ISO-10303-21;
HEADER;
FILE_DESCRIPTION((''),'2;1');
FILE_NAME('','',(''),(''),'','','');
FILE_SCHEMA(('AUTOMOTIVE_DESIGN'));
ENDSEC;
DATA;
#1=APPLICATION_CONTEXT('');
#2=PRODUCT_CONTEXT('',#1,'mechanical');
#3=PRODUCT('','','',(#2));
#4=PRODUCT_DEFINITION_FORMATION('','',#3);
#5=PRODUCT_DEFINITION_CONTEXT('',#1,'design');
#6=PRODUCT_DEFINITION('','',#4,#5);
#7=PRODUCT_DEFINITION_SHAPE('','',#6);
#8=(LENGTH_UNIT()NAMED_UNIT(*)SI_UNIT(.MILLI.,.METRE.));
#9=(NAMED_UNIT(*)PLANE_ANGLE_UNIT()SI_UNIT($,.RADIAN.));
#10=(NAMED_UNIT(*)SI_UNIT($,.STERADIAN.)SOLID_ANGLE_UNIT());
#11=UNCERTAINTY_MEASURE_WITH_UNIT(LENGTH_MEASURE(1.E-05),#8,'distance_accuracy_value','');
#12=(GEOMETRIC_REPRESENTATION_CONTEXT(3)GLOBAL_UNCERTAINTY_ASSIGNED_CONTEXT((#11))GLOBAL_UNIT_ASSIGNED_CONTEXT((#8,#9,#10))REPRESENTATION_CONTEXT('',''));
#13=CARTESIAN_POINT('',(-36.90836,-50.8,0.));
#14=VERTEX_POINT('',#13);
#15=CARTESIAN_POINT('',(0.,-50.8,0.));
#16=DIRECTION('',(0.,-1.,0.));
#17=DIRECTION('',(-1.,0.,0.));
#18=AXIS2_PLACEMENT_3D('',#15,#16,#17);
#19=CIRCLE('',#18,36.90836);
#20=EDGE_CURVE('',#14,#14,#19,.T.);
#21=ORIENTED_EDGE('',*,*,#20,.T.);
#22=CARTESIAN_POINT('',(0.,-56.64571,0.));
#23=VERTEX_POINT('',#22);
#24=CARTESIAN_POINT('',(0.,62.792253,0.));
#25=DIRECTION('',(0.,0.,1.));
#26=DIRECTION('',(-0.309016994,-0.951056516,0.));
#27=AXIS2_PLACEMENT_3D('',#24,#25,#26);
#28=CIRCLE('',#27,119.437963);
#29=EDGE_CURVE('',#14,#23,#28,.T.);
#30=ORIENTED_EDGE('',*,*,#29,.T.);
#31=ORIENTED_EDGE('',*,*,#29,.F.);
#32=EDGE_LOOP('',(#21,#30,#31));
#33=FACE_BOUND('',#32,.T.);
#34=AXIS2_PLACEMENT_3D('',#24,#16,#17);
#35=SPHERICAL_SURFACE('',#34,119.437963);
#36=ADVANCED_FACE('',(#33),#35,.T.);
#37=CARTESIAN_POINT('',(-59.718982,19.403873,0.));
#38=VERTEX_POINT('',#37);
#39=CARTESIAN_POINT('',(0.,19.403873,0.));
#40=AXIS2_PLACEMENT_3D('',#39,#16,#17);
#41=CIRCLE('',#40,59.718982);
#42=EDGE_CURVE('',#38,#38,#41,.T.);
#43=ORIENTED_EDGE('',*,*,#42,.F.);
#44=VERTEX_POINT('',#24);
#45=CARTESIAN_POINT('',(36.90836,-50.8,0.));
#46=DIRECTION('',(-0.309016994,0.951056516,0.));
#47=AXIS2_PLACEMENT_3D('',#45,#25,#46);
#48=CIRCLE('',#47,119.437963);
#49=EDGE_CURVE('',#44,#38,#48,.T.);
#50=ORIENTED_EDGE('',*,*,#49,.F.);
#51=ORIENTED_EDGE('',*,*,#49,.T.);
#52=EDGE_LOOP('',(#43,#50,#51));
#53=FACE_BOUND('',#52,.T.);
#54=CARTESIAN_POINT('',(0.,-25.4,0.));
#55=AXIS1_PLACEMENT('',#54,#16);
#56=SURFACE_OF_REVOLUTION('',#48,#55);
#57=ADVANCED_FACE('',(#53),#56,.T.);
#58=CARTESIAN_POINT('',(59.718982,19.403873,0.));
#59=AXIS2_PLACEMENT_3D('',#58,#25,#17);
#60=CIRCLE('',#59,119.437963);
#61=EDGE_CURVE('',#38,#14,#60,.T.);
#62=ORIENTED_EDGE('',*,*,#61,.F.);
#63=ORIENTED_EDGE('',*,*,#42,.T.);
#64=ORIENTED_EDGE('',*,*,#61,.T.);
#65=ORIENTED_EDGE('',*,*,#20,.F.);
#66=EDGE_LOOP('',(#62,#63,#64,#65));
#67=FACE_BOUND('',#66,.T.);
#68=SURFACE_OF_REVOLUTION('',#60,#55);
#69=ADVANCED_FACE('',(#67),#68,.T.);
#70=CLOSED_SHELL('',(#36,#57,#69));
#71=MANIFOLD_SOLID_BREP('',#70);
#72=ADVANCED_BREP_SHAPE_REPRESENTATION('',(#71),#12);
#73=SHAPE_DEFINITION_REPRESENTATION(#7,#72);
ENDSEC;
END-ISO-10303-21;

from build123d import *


with BuildPart() as f1:
    # F0 (on Top) → F1 (revolve)
    with BuildSketch(Plane.XY):
        with BuildLine():
            Line((-59.7189816329, 19.4038733715), (0, 62.792253257))
            ThreePointArc((0, 62.792253257), (-33.2955129488, 45.8273420556), (-59.7189816329, 19.4038733715))
        make_face()
        Polygon((0, -50.8), (0, 62.792253257), (-59.7189816329, 19.4038733715), (-36.9083604227, -50.8), align=None)
        with BuildLine():
            Line((-36.9083604227, -50.8), (-59.7189816329, 19.4038733715))
            ThreePointArc((-59.7189816329, 19.4038733715), (-53.8732716241, -17.5044870512), (-36.9083604227, -50.8))
        make_face()
        with BuildLine():
            Line((0, -56.6457100088), (0, -50.8))
            Line((0, -50.8), (-36.9083604227, -50.8))
            ThreePointArc((-36.9083604227, -50.8), (-18.684213889, -55.1752304851), (0, -56.6457100088))
        make_face()
    revolve(axis=Axis((0, -25.4, 0), (0, -1, 0)))


solid = f1.part
